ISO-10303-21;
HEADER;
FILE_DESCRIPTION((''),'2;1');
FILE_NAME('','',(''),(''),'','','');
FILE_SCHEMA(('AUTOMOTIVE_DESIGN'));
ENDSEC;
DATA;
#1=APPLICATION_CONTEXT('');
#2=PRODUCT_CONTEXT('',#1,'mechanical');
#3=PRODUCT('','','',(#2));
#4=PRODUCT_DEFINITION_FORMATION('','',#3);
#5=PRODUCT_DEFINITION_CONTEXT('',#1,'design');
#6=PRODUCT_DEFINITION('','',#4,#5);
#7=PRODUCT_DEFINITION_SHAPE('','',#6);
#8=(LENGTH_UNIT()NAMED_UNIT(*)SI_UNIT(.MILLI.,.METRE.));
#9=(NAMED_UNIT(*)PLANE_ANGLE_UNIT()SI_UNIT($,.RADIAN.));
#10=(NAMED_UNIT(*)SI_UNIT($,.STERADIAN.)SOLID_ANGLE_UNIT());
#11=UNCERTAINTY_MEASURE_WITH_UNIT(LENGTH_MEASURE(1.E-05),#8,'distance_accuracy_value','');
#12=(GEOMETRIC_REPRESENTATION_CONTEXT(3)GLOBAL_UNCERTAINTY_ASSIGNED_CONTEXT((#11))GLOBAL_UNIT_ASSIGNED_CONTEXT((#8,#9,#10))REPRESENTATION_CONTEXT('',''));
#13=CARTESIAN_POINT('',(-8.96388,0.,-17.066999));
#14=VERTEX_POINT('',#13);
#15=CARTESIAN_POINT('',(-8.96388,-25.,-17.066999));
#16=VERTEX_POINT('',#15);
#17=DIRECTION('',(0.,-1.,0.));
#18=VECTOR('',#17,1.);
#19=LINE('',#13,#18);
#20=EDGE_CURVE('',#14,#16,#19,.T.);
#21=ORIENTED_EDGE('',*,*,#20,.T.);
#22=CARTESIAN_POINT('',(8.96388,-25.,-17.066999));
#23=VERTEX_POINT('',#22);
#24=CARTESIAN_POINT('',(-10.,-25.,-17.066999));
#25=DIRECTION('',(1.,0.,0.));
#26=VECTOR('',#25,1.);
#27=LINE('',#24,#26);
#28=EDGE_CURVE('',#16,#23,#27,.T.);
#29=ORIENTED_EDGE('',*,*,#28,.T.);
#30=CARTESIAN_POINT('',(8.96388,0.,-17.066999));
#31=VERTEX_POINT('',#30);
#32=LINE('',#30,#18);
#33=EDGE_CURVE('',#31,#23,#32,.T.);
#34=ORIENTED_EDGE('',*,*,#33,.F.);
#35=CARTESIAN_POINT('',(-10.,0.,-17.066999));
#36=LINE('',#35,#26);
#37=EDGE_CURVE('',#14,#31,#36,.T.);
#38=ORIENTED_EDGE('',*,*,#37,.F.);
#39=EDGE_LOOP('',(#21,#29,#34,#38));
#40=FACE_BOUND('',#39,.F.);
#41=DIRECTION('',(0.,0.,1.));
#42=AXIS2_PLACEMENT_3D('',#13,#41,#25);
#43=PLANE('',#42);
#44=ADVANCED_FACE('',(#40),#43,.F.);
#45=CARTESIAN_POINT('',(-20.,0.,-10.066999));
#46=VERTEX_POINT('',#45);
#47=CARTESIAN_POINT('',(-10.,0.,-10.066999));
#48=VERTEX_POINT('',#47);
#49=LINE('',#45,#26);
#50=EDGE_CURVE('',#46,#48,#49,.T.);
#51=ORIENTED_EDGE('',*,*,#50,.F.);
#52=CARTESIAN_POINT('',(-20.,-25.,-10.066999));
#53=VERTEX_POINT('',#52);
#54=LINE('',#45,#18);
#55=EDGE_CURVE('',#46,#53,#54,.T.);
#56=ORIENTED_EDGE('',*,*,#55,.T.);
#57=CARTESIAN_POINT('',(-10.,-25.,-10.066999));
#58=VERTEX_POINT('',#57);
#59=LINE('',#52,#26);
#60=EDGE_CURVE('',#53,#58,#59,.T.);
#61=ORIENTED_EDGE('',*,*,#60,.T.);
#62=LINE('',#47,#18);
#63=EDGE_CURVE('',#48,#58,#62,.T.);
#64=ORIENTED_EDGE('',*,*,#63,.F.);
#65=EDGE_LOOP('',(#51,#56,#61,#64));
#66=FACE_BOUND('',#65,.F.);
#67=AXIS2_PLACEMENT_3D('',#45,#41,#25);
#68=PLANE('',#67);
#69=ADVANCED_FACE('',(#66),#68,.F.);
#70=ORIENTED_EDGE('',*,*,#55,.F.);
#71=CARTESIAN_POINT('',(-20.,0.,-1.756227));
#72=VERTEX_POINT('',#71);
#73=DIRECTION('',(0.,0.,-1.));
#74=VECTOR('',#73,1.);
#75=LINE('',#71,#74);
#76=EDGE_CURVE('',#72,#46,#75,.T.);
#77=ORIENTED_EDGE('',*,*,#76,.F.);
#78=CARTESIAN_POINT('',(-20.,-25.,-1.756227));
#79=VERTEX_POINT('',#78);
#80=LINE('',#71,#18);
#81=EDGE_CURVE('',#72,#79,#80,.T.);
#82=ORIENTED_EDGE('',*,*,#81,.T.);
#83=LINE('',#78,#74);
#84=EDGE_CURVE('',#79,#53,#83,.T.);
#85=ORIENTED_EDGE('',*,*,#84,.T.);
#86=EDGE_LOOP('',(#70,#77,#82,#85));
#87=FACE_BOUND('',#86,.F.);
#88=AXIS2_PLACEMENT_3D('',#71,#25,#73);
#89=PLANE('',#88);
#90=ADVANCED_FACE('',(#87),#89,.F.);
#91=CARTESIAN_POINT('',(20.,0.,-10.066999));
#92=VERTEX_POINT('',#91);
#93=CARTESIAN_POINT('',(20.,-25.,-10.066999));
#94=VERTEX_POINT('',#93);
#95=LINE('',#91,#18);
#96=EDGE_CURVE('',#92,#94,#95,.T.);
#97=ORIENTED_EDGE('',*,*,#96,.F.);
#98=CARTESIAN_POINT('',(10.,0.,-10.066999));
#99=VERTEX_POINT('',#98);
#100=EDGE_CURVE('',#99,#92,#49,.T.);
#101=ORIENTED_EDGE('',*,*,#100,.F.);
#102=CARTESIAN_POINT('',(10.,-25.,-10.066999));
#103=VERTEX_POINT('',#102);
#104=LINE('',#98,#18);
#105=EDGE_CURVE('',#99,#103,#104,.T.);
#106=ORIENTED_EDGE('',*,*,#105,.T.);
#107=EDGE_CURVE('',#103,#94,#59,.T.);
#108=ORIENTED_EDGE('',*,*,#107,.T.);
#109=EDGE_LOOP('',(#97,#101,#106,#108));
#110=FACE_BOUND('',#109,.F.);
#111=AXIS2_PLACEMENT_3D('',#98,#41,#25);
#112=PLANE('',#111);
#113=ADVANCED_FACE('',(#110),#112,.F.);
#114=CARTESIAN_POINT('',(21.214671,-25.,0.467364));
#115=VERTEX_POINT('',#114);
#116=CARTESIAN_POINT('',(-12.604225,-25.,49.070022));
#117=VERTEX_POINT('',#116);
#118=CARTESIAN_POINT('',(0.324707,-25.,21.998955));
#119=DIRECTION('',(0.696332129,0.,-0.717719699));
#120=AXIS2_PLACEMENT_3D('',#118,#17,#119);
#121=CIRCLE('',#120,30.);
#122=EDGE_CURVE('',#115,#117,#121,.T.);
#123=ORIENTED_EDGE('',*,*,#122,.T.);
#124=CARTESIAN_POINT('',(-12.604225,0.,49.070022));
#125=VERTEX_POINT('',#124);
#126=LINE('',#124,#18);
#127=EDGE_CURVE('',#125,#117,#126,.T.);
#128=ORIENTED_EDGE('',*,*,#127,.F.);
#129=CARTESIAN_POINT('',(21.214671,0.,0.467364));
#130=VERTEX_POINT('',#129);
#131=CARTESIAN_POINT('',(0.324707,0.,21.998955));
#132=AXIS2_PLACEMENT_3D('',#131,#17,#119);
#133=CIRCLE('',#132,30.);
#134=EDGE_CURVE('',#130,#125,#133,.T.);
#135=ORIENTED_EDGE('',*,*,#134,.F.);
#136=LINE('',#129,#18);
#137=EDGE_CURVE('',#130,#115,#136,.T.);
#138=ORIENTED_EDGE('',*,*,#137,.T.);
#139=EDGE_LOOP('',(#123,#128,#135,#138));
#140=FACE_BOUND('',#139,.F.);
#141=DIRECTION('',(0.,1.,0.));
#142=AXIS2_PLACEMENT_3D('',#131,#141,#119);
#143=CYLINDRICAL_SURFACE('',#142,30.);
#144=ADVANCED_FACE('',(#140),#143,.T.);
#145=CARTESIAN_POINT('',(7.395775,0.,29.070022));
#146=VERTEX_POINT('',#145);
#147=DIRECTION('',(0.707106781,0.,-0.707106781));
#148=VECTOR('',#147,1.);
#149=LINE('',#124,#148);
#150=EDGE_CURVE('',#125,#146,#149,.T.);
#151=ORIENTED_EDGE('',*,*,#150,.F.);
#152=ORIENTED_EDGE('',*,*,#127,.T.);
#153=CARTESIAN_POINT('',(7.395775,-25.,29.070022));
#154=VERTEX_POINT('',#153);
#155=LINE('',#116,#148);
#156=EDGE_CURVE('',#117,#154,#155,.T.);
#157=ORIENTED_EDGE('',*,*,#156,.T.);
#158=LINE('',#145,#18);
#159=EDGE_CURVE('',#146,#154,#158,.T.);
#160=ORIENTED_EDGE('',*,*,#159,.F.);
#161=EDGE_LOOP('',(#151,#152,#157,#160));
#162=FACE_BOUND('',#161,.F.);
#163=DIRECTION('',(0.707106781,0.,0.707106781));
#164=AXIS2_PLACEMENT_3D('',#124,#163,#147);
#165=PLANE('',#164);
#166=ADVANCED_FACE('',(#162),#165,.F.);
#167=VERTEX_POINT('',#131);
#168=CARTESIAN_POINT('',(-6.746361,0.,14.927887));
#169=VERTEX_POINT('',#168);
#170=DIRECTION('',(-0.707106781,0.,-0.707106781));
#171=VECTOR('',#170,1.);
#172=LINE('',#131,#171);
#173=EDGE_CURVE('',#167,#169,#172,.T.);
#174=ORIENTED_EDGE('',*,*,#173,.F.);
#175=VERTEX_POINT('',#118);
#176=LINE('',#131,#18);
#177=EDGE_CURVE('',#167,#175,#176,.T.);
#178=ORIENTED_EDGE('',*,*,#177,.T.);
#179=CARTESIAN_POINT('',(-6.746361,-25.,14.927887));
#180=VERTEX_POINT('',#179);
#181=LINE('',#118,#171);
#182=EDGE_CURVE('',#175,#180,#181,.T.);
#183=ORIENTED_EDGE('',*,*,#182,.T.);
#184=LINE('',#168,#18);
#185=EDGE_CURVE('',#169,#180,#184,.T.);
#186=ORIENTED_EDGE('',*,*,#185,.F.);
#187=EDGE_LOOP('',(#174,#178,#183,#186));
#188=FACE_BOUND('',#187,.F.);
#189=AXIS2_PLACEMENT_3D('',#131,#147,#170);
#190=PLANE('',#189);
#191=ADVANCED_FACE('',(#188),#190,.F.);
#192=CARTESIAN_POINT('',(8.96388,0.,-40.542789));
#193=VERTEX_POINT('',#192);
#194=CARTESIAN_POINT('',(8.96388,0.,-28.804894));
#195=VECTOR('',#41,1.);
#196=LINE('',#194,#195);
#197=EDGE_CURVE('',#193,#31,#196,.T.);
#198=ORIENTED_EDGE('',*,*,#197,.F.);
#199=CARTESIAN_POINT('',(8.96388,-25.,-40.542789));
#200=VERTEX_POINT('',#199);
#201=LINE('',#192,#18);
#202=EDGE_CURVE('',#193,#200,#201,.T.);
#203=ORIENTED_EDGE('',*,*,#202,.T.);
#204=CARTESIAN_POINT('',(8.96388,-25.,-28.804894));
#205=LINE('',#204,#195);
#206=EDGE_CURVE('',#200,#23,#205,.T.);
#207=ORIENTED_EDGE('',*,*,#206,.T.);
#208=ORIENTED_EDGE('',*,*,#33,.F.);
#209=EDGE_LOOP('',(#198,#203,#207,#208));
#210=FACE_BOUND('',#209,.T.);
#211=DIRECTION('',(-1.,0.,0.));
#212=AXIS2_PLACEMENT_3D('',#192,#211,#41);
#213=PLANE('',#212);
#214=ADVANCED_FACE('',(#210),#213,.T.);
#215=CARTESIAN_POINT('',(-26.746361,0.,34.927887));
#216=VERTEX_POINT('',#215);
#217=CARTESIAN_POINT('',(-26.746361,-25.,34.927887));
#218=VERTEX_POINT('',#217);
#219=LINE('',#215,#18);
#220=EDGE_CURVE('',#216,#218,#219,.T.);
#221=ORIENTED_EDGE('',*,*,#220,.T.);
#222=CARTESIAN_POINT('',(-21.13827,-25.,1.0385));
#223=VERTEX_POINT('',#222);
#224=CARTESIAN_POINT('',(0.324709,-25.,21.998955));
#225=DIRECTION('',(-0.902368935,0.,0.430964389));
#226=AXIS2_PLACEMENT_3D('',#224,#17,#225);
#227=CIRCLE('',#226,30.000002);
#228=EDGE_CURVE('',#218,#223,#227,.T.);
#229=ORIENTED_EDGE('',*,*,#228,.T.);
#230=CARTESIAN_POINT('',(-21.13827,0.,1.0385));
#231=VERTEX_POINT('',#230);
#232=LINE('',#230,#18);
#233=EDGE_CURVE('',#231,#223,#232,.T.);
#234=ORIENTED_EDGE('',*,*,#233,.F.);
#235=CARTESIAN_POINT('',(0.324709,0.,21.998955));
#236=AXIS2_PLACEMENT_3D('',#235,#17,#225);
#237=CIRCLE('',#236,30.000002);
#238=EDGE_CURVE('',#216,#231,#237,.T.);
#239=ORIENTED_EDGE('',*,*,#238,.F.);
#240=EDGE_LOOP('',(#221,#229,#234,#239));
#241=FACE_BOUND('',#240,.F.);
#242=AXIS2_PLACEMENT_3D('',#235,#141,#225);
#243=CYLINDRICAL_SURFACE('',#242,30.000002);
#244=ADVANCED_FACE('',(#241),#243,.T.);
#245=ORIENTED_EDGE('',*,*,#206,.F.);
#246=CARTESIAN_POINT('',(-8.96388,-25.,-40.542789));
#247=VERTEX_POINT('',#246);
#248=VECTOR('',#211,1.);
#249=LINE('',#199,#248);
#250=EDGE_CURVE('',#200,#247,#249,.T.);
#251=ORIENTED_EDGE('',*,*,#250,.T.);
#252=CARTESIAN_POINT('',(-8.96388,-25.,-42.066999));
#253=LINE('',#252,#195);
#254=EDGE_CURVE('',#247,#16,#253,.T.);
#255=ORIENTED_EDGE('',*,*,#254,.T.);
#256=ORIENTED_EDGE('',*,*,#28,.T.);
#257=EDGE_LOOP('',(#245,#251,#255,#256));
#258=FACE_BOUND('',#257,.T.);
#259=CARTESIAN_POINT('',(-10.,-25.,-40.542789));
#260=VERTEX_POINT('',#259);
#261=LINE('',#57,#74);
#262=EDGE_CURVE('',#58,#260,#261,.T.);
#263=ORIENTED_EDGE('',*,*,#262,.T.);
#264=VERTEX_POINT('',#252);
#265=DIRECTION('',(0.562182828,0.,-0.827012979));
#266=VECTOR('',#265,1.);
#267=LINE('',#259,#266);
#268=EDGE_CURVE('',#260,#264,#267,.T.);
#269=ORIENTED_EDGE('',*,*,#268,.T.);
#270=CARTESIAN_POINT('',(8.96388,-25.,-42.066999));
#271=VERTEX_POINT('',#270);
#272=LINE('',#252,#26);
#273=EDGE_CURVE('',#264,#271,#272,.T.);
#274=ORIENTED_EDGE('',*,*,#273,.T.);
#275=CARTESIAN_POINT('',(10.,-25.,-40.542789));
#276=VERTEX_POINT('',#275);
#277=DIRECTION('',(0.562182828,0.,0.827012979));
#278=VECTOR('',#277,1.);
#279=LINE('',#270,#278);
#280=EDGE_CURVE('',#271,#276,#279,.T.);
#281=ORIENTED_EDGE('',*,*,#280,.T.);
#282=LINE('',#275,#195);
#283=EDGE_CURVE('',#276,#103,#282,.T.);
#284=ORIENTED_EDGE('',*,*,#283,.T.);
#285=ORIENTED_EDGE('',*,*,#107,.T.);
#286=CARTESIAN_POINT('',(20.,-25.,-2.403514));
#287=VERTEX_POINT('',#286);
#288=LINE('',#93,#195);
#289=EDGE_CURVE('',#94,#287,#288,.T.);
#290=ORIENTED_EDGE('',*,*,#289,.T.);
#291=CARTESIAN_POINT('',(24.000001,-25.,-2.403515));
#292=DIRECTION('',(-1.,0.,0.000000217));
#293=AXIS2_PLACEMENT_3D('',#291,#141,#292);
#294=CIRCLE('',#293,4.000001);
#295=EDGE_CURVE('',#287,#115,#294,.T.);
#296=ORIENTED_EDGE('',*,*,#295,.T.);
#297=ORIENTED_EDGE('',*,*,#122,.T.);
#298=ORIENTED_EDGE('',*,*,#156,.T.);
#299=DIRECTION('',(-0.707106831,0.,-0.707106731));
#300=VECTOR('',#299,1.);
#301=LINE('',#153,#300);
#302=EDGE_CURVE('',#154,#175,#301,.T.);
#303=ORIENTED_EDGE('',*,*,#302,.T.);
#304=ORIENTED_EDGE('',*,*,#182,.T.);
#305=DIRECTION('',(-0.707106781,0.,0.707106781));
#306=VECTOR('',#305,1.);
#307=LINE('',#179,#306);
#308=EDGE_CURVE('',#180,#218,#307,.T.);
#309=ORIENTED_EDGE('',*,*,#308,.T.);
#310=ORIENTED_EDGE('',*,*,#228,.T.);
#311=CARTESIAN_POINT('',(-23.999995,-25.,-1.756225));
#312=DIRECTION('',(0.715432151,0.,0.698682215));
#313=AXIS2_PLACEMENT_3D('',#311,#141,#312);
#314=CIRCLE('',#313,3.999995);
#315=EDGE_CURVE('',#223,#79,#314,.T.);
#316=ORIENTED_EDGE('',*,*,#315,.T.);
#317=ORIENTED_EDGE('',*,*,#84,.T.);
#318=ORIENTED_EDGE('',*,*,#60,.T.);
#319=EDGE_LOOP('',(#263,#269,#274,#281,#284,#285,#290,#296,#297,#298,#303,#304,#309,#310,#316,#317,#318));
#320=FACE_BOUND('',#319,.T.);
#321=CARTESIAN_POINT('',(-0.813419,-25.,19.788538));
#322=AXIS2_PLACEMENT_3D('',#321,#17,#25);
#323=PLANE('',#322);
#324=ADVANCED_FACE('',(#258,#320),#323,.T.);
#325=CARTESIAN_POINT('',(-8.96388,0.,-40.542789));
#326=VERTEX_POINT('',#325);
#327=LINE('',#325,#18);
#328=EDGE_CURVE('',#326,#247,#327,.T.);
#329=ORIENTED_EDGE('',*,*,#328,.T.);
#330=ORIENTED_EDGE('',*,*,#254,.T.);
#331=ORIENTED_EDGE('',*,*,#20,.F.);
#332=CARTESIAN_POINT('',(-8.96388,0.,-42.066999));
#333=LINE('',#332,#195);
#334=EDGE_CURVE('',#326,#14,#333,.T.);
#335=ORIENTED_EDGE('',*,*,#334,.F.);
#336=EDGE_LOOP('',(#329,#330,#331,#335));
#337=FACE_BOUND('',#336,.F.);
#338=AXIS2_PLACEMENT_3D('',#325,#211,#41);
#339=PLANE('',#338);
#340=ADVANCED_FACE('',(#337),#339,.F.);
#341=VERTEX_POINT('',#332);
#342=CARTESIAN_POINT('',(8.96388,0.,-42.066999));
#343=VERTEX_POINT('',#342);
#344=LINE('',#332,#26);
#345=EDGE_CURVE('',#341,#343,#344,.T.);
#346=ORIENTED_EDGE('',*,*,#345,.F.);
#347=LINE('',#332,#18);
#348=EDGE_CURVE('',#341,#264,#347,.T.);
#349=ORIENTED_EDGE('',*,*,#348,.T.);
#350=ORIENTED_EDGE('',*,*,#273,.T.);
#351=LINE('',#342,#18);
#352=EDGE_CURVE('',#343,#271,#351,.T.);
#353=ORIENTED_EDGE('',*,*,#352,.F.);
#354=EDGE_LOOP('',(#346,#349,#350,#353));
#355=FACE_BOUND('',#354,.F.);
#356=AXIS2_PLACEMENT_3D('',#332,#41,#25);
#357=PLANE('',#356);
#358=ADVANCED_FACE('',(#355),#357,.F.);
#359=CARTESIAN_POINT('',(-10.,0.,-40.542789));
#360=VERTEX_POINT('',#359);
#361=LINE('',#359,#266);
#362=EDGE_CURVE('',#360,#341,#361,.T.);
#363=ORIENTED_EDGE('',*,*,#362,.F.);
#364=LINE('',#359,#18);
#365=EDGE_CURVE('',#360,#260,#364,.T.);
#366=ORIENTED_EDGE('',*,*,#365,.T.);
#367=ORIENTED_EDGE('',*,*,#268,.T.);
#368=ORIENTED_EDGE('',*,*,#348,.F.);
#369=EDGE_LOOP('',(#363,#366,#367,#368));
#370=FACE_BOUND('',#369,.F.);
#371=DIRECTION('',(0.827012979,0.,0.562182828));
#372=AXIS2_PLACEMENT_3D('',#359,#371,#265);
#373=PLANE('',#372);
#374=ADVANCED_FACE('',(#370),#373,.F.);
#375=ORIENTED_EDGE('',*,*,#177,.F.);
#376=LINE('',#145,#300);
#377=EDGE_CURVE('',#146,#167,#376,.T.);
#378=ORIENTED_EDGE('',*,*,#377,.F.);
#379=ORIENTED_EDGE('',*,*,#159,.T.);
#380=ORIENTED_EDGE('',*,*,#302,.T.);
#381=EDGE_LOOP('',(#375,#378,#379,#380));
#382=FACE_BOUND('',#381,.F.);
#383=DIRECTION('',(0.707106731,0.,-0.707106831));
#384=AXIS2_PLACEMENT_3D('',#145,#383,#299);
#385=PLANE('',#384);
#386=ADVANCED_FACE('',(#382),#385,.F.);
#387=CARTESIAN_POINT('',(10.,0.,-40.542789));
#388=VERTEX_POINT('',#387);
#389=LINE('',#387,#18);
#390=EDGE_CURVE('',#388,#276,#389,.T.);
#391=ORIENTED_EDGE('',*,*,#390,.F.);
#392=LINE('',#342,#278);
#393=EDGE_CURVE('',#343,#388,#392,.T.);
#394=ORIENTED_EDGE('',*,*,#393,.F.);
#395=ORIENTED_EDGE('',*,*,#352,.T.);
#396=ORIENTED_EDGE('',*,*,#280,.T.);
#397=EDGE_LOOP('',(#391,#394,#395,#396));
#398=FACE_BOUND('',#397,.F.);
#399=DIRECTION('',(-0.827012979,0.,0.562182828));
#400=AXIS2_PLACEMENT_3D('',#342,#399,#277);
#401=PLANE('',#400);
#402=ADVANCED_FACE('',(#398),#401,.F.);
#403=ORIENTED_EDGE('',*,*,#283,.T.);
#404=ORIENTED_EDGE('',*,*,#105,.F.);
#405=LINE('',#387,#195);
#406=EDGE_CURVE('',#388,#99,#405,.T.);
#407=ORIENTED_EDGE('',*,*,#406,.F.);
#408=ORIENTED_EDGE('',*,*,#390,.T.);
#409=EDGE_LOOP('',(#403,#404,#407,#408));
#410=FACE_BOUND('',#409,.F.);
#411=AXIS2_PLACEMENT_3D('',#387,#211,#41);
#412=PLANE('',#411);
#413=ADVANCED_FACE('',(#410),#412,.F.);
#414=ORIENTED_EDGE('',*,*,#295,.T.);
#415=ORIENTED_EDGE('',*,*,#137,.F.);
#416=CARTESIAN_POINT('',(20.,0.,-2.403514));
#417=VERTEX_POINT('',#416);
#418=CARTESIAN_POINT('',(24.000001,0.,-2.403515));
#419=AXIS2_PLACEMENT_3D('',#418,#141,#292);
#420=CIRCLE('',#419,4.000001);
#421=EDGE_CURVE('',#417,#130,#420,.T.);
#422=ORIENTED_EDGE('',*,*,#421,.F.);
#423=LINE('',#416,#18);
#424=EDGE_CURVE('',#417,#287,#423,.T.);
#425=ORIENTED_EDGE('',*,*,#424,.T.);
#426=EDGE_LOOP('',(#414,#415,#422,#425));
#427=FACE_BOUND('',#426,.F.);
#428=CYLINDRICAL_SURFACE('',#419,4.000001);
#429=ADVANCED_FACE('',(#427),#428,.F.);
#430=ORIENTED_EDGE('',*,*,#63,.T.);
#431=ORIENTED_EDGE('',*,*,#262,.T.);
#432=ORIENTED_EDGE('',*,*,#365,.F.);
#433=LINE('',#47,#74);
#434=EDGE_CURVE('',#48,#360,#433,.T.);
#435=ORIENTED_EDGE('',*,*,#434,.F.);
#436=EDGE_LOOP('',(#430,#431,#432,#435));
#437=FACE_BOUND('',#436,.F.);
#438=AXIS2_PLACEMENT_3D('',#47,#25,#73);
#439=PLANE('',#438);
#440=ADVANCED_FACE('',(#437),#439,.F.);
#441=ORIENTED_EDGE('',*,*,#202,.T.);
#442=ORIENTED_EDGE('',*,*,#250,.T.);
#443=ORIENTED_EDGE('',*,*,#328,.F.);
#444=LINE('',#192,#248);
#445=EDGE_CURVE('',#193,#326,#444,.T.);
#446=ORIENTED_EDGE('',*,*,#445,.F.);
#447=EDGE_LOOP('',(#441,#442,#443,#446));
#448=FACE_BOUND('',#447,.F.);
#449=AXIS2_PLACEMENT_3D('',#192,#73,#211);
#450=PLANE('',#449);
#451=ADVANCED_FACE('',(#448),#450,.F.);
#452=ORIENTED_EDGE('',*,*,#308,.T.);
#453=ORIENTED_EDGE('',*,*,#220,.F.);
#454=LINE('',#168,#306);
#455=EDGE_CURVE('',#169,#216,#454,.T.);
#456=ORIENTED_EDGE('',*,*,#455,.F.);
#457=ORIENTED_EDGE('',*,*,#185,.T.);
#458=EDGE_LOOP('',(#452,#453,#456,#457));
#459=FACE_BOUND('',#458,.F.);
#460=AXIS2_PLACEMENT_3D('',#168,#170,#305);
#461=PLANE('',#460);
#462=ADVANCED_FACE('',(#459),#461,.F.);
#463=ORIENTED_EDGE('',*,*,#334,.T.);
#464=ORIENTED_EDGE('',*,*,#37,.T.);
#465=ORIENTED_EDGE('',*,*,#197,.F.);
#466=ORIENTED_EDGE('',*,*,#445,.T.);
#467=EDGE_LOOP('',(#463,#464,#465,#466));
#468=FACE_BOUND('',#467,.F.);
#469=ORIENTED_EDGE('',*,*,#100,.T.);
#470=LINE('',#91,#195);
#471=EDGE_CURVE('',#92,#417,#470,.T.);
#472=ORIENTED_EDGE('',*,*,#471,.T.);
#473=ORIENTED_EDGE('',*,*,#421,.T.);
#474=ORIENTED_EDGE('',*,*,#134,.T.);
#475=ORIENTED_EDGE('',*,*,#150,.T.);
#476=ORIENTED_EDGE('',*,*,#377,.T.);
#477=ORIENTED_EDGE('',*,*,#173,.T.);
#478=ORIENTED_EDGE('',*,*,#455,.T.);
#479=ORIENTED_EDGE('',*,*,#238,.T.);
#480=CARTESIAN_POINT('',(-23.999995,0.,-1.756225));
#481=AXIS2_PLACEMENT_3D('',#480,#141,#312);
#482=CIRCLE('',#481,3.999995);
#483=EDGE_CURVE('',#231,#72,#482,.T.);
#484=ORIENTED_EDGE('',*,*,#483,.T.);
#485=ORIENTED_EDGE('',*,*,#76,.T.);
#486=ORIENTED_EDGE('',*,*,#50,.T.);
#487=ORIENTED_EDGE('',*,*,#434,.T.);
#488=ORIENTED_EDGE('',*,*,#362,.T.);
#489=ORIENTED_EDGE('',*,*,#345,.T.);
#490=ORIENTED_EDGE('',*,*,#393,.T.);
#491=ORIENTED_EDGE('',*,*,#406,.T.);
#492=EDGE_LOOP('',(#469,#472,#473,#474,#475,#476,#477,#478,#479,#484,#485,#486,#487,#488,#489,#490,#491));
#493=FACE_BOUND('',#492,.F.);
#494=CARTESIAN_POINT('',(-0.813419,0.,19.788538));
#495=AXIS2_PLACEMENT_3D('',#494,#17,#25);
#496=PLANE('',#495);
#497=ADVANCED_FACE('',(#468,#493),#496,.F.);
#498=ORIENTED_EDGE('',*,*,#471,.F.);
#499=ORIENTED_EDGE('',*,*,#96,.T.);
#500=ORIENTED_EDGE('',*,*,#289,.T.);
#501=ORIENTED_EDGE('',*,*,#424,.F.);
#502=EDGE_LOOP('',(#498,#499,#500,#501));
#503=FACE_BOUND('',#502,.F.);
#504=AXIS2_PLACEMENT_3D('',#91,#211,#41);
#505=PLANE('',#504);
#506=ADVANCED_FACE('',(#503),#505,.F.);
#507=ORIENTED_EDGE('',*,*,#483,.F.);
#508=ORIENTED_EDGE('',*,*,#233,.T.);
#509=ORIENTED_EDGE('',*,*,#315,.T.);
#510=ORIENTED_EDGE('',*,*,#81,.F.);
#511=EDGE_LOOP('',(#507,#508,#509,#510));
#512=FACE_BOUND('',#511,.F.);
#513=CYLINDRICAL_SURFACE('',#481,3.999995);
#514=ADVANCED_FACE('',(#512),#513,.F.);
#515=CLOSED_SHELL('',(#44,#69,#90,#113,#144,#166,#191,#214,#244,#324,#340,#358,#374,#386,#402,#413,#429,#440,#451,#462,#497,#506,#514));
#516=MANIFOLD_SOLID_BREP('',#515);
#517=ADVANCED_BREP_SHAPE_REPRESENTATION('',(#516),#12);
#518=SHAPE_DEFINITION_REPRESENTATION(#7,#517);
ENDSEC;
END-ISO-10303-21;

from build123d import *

# Parameters (mm, degrees)
F0_W     = 1.03612
F0_H     = 23.47579
F1_DEPTH = 25


with BuildPart() as f1:
    # F0 (on Front) → F1 (new body)
    with BuildSketch(Plane.XZ):
        with BuildLine():
            Line((-6.746361, 14.927887), (-26.746361, 34.927887))
            ThreePointArc((-26.746361, 34.927887), (-29.272776, 17.101097), (-21.13827, 1.0385))
            ThreePointArc((-21.13827, 1.0385), (-20.295481, -0.247406), (-20, -1.756227))
            Line((-20, -1.756227), (-20, -10.066999))
            Line((-20, -10.066999), (-10, -10.066999))
            Line((-10, -10.066999), (0, -10.066999))
            Line((0, -10.066999), (10, -10.066999))
            Line((10, -10.066999), (20, -10.066999))
            Line((20, -10.066999), (20, -2.403514))
            ThreePointArc((20, -2.403514), (20.316163, -0.844879), (21.214671, 0.467364))
            ThreePointArc((21.214671, 0.467364), (24.949879, 39.133741), (-12.604225, 49.070022))
            Line((-12.604225, 49.070022), (7.395775, 29.070022))
            Line((7.395775, 29.070022), (0.324707, 21.998955))
            Line((0.324707, 21.998955), (-6.746361, 14.927887))
        make_face()
        Polygon((0, -10.066999), (-10, -10.066999), (-10, -17.066999), (-8.96388, -17.066999), (0, -17.066999), (8.96388, -17.066999), (10, -17.066999), (10, -10.066999), align=None)
        with Locations((-9.48194, -28.804894)):
            Rectangle(F0_W, F0_H)
        Polygon((-8.96388, -40.542789), (-10, -40.542789), (-8.96388, -42.066999), align=None)
        with Locations((9.48194, -28.804894)):
            Rectangle(F0_W, F0_H)
        Polygon((0, -40.542789), (-8.96388, -40.542789), (-8.96388, -42.066999), (8.96388, -42.066999), (8.96388, -40.542789), align=None)
        Polygon((8.96388, -42.066999), (10, -40.542789), (8.96388, -40.542789), align=None)
    extrude(amount=F1_DEPTH)


solid = f1.part
